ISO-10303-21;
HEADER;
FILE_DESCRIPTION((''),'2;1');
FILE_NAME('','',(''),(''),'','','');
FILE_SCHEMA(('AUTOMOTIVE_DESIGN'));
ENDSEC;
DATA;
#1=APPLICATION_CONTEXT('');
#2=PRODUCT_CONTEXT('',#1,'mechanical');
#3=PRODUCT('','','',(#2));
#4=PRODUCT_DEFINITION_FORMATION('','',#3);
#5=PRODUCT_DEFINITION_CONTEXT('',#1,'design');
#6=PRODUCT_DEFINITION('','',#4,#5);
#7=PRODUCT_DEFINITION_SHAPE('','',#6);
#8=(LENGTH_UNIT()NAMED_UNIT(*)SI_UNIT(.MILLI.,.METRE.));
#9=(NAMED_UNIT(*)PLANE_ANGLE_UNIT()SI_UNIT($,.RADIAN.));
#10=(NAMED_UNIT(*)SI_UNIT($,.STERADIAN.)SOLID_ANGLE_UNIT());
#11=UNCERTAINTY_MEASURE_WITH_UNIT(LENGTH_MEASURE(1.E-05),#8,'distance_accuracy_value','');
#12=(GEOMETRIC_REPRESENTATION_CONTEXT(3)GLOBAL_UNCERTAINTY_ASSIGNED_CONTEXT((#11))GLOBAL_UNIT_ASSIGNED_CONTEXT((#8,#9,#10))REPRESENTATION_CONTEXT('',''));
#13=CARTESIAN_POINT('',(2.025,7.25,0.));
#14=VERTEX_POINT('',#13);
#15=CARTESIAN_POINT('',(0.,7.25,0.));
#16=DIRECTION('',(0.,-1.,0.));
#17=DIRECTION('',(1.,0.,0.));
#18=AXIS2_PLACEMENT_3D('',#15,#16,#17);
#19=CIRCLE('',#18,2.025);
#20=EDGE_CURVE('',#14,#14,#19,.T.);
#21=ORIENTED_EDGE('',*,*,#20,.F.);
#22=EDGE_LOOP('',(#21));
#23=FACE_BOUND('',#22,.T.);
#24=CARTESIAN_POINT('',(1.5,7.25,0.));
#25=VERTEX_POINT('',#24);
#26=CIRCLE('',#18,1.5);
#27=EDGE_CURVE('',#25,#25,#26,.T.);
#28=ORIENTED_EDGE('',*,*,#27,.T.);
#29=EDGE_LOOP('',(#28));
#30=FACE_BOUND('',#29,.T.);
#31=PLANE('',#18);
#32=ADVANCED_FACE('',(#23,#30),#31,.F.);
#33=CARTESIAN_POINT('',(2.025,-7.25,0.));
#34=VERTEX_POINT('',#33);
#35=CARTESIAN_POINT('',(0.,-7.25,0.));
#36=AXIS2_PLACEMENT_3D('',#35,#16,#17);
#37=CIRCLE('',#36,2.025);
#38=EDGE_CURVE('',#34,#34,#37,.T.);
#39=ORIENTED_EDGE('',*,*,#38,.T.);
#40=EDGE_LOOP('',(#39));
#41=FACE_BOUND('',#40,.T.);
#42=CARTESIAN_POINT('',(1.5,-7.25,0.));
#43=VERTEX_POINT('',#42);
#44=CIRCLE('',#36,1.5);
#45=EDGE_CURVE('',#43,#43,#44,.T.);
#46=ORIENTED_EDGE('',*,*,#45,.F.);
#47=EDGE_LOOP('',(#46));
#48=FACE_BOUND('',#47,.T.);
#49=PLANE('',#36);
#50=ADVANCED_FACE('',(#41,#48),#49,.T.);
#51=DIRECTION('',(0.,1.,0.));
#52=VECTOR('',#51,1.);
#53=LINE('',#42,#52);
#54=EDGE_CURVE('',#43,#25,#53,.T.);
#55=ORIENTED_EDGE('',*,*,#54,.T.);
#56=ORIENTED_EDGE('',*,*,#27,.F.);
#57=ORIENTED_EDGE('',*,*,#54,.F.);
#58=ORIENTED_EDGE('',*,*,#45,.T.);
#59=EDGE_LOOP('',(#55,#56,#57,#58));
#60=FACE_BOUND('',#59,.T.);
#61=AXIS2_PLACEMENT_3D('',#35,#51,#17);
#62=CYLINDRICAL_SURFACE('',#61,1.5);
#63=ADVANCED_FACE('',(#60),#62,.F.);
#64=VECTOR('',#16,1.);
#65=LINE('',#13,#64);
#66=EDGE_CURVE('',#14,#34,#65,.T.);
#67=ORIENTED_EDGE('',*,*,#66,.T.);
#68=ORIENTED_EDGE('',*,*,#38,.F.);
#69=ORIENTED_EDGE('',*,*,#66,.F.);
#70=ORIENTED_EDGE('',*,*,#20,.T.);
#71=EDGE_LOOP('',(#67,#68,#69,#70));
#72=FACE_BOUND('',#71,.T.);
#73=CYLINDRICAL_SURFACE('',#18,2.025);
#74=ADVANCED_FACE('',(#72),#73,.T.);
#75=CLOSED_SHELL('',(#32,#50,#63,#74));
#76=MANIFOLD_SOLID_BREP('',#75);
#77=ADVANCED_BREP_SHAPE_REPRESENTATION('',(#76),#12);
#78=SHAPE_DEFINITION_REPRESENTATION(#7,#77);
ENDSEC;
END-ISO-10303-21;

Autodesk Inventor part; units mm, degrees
ref_plane "YZ Plane" through (0, 0, 0) normal (1, 0, 0) x (0, 1, 0)
ref_plane "XZ Plane" through (0, 0, 0) normal (0, 1, 0) x (-1, 0, 0)
ref_plane "XY Plane" through (0, 0, 0) normal (0, 0, 1) x (1, 0, 0)
sketch "Náčrt1" plane through (0, 0, 0) normal (0, 0, 1) x (1, 0, 0)
  line L0 (0, 7.25) -> (0, -7.25)
  line L1 (1.5, 7.25) -> (2.025, 7.25)
  line L2 (2.025, 7.25) -> (2.025, -7.25)
  line L3 (2.025, -7.25) -> (1.5, -7.25)
  line L4 (1.5, -7.25) -> (1.5, 7.25)
  point P0 (0, 0)
  point P1 (0, 0)
  dimension "d0" = 14.5
  dimension "d1" = 4.05
  dimension "d2" = 3
revolve "Rotace1" add sketch "Náčrt1" angle 360 about axis through (0, 7.25, 0) along (0, -1, 0)
properties part number "trubicka"
